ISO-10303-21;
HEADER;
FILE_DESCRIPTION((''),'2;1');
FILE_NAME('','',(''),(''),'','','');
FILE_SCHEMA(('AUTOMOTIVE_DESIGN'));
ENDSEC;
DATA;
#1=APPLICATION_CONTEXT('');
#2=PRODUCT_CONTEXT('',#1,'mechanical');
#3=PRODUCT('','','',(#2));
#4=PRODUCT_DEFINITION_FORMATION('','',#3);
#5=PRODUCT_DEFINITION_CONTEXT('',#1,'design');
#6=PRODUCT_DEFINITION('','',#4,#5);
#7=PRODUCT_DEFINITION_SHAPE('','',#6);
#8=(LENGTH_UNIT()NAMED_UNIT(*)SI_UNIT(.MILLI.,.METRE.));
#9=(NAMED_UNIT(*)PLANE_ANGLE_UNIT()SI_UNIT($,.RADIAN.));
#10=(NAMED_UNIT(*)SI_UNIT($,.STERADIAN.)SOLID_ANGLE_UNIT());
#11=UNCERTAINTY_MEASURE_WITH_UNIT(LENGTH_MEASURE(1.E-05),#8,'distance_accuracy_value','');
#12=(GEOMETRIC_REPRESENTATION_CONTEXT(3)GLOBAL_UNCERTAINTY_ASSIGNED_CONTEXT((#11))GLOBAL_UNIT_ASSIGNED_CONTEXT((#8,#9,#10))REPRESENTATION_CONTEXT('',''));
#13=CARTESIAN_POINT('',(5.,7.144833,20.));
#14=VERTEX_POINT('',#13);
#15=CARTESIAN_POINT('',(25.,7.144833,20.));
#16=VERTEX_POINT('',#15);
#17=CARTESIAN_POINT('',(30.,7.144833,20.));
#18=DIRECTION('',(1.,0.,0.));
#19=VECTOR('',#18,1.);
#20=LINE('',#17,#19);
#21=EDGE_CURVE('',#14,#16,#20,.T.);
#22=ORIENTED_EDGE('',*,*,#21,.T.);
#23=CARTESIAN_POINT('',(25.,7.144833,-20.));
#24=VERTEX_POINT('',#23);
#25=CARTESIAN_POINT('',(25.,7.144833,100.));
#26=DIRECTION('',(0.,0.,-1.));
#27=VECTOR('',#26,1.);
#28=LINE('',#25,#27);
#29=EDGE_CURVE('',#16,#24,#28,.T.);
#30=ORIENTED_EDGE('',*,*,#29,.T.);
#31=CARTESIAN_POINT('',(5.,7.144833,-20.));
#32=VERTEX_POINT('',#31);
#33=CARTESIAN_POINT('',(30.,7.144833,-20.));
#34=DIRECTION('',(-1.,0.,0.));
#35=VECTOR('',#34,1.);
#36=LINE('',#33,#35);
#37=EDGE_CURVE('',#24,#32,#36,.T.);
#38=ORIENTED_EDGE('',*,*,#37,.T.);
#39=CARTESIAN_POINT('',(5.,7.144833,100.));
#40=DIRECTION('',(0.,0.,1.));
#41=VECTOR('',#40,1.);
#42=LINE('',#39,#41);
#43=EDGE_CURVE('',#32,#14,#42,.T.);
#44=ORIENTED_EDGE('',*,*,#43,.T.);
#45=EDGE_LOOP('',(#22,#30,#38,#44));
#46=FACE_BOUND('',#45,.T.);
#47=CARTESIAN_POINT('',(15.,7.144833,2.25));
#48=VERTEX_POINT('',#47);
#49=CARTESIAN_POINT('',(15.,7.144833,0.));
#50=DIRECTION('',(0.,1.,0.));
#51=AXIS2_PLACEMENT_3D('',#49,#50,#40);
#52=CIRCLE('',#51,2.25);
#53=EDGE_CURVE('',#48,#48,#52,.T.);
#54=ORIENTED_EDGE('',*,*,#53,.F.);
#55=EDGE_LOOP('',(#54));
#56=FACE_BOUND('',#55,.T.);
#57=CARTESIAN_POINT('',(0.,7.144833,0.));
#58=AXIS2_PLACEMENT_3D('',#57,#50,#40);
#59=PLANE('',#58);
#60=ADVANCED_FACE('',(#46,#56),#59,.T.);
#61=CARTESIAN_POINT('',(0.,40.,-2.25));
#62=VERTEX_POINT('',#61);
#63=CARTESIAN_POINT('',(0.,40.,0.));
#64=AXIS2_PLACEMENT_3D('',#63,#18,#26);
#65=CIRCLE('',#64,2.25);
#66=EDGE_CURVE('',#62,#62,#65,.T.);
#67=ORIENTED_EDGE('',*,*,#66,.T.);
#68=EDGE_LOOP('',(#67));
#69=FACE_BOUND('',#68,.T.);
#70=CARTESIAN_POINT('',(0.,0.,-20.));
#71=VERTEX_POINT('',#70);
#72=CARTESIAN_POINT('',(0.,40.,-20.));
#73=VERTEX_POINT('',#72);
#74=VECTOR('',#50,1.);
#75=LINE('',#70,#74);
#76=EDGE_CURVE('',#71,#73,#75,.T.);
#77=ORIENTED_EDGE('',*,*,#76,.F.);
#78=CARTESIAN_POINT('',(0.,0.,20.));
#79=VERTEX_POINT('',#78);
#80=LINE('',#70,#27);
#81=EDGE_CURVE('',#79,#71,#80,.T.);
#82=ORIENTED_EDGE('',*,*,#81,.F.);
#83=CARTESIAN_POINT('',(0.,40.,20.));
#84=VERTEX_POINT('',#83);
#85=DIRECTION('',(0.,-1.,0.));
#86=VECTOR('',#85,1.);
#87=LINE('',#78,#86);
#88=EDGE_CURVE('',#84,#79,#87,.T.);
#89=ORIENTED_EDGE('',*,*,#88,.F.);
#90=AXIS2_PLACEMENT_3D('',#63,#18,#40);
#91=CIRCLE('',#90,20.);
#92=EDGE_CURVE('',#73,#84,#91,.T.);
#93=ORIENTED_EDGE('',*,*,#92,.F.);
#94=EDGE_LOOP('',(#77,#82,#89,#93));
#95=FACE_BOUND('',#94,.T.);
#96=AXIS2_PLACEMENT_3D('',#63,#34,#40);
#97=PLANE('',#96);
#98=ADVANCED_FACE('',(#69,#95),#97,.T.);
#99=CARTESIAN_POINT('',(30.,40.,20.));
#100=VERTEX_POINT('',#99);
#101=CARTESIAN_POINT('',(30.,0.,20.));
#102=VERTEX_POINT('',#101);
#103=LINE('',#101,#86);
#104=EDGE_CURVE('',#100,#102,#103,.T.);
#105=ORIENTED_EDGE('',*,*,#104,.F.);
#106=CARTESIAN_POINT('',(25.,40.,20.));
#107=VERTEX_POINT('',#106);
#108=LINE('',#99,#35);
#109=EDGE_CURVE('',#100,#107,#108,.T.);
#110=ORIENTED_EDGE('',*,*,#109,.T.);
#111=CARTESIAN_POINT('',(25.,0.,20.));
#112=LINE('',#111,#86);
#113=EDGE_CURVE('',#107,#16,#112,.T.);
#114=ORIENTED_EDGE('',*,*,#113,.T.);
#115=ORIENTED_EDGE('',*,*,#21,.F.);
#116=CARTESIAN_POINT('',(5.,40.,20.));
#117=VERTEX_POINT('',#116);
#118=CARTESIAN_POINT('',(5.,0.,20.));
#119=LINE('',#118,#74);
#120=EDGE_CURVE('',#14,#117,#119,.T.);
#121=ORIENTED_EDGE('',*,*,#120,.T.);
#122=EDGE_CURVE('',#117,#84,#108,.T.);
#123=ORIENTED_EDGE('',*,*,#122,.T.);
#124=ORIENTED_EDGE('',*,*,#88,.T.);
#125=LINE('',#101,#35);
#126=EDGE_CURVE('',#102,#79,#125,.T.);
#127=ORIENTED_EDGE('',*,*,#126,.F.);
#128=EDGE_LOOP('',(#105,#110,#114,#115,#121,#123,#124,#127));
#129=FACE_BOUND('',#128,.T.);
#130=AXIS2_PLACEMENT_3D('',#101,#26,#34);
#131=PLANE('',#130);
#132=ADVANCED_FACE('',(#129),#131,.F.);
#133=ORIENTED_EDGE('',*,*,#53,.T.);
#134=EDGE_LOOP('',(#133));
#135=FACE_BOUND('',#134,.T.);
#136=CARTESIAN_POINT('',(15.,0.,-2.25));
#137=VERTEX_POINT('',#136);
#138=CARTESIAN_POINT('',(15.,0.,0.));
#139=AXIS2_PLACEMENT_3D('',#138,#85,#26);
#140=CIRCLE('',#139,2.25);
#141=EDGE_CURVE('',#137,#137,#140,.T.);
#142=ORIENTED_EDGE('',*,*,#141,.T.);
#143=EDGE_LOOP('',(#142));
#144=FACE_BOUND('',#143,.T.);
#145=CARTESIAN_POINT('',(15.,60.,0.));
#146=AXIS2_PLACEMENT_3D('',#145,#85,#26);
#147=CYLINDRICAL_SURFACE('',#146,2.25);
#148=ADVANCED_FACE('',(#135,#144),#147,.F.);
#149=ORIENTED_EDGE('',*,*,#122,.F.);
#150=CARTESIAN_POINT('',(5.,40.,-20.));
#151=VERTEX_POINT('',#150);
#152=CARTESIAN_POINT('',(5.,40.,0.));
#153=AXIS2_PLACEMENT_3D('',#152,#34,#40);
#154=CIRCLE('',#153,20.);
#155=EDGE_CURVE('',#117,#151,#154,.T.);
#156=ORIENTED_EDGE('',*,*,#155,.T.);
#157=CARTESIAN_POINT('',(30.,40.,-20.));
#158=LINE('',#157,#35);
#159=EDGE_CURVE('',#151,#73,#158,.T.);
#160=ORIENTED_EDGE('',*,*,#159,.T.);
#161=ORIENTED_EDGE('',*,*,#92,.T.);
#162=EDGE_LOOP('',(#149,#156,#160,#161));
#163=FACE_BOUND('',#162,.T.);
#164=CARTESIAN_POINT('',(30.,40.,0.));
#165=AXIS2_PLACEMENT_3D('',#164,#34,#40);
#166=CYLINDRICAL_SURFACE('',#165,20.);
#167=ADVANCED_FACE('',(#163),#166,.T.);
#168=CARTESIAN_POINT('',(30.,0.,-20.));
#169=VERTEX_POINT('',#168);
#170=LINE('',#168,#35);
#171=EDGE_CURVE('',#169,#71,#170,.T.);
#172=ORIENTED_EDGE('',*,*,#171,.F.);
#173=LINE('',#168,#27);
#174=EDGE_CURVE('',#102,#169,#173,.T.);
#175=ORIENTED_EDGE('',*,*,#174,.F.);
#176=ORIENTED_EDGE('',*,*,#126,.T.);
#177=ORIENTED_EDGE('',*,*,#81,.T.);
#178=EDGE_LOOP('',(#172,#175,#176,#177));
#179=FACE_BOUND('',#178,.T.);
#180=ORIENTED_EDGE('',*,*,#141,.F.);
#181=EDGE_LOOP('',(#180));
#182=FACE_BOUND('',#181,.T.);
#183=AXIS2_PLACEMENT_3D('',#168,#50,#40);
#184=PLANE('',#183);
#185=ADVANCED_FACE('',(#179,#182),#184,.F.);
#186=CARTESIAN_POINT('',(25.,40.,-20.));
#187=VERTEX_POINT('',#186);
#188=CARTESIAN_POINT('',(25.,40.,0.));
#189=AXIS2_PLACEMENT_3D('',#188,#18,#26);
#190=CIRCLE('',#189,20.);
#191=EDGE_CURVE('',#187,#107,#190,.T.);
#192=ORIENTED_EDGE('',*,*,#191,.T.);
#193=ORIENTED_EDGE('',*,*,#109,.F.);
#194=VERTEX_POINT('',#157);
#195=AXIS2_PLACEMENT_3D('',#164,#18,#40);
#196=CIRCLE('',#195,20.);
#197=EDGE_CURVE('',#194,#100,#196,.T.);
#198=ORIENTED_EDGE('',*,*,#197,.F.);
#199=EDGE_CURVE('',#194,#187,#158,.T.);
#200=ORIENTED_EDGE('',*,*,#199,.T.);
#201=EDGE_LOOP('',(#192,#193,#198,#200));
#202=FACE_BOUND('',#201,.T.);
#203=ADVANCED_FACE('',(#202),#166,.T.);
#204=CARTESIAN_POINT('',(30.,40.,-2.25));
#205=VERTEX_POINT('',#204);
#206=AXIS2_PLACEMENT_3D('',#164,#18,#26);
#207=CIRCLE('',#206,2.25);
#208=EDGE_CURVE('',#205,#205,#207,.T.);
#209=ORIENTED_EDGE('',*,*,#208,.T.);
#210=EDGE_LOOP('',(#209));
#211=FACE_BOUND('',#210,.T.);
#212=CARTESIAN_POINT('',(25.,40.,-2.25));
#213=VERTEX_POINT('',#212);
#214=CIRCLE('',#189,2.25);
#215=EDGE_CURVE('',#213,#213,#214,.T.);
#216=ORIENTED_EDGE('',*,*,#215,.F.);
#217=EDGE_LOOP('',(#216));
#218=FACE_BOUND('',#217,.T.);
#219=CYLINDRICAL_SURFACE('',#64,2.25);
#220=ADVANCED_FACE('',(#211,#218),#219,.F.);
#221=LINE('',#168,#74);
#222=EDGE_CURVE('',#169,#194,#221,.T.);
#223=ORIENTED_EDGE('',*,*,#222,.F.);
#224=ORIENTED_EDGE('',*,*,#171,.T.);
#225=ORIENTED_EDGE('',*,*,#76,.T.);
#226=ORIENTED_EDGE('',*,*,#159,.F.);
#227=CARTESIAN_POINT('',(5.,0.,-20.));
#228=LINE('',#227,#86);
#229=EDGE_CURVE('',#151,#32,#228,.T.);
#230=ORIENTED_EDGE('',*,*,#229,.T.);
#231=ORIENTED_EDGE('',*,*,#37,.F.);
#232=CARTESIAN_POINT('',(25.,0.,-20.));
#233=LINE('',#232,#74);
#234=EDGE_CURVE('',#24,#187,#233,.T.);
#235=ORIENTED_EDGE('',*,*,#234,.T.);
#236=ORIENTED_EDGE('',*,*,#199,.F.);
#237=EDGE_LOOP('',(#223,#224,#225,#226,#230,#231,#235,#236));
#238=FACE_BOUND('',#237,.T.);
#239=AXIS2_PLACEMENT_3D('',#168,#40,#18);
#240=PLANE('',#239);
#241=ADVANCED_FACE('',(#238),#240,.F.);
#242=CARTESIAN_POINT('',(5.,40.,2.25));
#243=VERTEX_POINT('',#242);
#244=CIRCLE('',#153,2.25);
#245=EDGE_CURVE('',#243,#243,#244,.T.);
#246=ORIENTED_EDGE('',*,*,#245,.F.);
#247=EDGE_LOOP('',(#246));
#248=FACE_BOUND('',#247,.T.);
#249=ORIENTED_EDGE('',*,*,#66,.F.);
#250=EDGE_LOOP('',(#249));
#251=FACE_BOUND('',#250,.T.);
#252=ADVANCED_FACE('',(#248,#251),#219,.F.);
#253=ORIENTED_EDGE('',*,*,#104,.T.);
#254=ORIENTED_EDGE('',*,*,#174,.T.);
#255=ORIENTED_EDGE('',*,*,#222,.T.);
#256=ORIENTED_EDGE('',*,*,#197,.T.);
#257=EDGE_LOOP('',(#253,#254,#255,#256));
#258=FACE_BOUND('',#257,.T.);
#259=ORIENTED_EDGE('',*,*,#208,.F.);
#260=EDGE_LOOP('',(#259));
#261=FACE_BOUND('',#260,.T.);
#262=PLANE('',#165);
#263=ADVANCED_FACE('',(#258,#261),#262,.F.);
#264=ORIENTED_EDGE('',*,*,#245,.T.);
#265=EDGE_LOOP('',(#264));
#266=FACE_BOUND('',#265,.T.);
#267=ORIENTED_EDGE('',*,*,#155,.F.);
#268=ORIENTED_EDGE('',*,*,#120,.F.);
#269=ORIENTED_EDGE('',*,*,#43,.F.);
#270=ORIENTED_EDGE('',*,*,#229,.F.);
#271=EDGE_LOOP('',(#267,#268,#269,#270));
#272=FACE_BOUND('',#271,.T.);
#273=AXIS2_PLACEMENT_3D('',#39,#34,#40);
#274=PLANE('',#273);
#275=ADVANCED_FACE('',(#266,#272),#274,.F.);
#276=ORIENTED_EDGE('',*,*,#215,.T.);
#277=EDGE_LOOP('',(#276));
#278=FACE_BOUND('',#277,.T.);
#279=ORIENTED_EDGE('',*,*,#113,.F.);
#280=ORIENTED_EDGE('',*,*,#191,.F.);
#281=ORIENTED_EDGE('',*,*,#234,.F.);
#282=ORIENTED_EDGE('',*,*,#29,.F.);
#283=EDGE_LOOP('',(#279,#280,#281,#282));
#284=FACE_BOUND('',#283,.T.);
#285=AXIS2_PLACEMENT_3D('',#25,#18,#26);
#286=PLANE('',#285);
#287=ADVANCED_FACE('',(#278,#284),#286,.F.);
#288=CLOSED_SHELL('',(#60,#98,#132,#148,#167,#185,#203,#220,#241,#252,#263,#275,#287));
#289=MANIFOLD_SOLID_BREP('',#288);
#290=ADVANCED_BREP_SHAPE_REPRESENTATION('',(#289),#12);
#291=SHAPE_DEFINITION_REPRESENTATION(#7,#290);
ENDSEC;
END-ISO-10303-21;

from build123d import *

# Parameters (mm, degrees)
BOSS_EXTRUDE1_DEPTH = 30
SKETCH2_W           = 20
SKETCH2_H           = 200
CUT_EXTRUDE1_DEPTH  = 260
SKETCH3_R           = 2.25
CUT_EXTRUDE2_DEPTH  = 71
SKETCH5_R           = 2.25
CUT_EXTRUDE3_DEPTH  = 71


with BuildPart() as part:
    # Sketch1 → Boss-Extrude1 (new body)
    with BuildSketch(Plane(origin=(0, 0, 0), x_dir=(0, 0, -1), z_dir=(1, 0, 0))):
        with BuildLine():
            Line((20, 0), (-20, 0))
            Line((-20, 0), (-20, 40))
            ThreePointArc((-20, 40), (0, 60), (20, 40))
            Line((20, 40), (20, 0))
        make_face()
    extrude(amount=BOSS_EXTRUDE1_DEPTH)

    # Sketch2 → Cut-Extrude1 (cut)
    with BuildSketch(Plane(origin=(0, 267.144833217, 0), x_dir=(1, 0, 0), z_dir=(0, 1, 0))):
        with Locations((15, 0)):
            Rectangle(SKETCH2_W, SKETCH2_H)
    extrude(amount=-CUT_EXTRUDE1_DEPTH, mode=Mode.SUBTRACT)

    # Sketch3 → Cut-Extrude2 (cut, through all)
    with BuildSketch(Plane.XZ):
        with Locations(Location((15, 0, 0), (0, 0, 270))):
            Circle(SKETCH3_R)
    extrude(amount=-CUT_EXTRUDE2_DEPTH, mode=Mode.SUBTRACT)

    # Sketch5 → Cut-Extrude3 (cut, through all)
    with BuildSketch(Plane(origin=(30, 0, 0), x_dir=(0, 0, -1), z_dir=(1, 0, 0))):
        with Locations((0, 40)):
            Circle(SKETCH5_R)
    extrude(amount=-CUT_EXTRUDE3_DEPTH, mode=Mode.SUBTRACT)


solid = part.part
